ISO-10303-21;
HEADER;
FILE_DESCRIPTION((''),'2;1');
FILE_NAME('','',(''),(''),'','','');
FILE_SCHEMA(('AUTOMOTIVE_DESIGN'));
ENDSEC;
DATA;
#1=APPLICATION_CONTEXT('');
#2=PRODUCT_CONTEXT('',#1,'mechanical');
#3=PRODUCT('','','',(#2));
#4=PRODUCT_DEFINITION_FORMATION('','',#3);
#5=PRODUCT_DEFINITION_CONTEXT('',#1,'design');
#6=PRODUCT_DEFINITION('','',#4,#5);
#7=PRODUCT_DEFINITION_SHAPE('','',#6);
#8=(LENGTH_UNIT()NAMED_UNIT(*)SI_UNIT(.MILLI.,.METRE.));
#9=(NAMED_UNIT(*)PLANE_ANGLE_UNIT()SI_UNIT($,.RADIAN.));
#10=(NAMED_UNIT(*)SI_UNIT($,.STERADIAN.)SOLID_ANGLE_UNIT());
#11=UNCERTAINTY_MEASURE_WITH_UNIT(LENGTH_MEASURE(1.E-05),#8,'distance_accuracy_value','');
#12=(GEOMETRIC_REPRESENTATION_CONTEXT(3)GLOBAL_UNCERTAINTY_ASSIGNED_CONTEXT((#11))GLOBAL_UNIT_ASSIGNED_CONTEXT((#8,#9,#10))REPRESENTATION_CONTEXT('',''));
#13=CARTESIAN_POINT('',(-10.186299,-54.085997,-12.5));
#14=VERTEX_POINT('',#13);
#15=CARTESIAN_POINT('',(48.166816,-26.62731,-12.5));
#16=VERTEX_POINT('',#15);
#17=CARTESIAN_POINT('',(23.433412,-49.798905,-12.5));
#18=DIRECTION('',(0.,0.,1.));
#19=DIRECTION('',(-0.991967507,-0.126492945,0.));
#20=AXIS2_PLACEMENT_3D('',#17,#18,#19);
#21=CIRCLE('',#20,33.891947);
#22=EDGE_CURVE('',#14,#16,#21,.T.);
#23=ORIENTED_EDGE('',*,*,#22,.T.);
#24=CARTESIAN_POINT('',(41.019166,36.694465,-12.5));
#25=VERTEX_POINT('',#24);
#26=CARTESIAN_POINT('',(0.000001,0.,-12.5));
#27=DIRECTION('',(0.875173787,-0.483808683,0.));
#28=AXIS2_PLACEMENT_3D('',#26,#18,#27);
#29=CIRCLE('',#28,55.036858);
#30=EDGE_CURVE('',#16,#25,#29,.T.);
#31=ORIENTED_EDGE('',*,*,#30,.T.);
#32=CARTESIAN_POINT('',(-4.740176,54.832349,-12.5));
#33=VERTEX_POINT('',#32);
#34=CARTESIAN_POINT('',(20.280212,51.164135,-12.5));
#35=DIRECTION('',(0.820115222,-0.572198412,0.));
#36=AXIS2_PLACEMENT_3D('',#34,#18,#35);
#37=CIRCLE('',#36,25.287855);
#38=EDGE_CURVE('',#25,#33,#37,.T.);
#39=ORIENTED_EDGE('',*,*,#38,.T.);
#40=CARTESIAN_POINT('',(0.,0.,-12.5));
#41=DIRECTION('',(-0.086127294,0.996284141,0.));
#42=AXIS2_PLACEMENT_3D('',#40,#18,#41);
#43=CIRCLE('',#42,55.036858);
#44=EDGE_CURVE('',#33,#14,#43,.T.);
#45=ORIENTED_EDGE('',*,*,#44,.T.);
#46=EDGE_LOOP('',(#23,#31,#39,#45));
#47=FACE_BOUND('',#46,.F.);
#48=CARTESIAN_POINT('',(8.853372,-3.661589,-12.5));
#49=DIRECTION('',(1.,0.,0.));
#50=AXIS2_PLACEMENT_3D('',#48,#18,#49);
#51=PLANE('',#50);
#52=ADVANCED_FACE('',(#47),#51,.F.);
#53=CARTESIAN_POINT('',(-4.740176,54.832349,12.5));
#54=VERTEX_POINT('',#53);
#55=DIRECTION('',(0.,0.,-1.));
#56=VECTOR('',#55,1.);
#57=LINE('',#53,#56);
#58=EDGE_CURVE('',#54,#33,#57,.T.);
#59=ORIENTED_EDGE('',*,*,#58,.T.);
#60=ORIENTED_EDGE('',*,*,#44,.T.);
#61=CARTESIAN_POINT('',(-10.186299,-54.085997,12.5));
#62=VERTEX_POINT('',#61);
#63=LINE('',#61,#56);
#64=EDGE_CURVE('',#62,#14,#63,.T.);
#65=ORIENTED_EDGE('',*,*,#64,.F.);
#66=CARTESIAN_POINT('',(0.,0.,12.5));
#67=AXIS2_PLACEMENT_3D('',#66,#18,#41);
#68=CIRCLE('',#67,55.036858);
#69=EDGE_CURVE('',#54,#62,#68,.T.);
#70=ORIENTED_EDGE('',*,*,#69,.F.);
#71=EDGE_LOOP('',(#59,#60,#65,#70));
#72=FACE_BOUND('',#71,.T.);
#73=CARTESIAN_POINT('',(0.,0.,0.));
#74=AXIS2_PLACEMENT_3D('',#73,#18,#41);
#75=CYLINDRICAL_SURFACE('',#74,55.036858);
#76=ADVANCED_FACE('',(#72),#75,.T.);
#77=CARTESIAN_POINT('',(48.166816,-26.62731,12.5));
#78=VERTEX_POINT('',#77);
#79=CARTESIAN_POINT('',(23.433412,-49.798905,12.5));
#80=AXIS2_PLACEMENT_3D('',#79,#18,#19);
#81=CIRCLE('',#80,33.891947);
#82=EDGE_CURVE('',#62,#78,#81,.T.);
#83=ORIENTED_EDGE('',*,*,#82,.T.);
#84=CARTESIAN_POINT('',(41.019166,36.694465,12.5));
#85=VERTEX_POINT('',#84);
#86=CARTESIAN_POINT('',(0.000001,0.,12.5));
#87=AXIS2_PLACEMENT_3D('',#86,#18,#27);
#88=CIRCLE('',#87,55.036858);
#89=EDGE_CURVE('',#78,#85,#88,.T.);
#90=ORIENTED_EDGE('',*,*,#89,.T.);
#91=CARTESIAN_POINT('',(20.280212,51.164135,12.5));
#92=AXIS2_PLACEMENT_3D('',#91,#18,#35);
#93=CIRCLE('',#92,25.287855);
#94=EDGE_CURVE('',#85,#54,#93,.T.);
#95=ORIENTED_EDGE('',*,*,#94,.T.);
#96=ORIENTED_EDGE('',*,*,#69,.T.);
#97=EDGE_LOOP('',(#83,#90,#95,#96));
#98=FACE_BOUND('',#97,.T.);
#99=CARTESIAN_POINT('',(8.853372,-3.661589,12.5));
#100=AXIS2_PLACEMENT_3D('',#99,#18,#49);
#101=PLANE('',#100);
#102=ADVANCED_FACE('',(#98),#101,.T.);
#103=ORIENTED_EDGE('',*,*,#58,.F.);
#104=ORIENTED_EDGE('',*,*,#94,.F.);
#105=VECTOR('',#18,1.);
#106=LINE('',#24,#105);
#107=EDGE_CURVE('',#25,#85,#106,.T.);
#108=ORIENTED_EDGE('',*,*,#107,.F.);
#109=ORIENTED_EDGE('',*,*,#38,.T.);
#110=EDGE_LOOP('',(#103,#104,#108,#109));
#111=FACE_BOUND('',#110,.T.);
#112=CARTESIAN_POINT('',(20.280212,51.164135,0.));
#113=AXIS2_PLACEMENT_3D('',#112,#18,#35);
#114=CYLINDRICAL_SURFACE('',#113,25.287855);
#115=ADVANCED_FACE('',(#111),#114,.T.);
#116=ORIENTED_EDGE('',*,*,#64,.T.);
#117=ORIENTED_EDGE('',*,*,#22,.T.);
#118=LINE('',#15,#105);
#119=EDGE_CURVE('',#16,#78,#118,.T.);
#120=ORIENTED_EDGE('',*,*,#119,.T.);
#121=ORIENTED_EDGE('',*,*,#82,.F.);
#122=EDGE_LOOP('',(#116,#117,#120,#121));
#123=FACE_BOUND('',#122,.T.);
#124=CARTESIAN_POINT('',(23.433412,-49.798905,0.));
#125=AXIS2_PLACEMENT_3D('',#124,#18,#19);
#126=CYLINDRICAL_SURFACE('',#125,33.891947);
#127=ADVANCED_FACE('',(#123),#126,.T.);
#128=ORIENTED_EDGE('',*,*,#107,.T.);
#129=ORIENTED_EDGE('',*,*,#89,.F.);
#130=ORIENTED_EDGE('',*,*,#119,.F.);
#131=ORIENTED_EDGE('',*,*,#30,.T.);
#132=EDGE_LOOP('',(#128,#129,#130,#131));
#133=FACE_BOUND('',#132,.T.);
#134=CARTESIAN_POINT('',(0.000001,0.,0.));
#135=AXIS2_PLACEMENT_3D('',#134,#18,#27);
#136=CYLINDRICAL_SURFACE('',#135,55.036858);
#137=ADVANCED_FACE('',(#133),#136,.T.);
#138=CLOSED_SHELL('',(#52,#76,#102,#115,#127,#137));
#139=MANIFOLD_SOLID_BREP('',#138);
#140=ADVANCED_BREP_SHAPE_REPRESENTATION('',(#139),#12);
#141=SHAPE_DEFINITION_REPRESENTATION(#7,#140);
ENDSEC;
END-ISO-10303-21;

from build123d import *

# Parameters (mm, degrees)
F1_DEPTH = 12.5


with BuildPart() as f1:
    # F0 (on Top) → F1 (new body, symmetric)
    with BuildSketch(Plane.XY):
        with BuildLine():
            ThreePointArc((-10.186299, -54.085997), (37.863813, -80.465297), (48.166816, -26.62731))
            ThreePointArc((48.166816, -26.62731), (54.689548, 6.173259), (41.019166, 36.694465))
            ThreePointArc((41.019166, 36.694465), (29.598386, 74.672585), (-4.740176, 54.832349))
            ThreePointArc((-4.740176, 54.832349), (-54.968186, 2.748513), (-10.186299, -54.085997))
        make_face()
    extrude(amount=F1_DEPTH, both=True)


solid = f1.part
